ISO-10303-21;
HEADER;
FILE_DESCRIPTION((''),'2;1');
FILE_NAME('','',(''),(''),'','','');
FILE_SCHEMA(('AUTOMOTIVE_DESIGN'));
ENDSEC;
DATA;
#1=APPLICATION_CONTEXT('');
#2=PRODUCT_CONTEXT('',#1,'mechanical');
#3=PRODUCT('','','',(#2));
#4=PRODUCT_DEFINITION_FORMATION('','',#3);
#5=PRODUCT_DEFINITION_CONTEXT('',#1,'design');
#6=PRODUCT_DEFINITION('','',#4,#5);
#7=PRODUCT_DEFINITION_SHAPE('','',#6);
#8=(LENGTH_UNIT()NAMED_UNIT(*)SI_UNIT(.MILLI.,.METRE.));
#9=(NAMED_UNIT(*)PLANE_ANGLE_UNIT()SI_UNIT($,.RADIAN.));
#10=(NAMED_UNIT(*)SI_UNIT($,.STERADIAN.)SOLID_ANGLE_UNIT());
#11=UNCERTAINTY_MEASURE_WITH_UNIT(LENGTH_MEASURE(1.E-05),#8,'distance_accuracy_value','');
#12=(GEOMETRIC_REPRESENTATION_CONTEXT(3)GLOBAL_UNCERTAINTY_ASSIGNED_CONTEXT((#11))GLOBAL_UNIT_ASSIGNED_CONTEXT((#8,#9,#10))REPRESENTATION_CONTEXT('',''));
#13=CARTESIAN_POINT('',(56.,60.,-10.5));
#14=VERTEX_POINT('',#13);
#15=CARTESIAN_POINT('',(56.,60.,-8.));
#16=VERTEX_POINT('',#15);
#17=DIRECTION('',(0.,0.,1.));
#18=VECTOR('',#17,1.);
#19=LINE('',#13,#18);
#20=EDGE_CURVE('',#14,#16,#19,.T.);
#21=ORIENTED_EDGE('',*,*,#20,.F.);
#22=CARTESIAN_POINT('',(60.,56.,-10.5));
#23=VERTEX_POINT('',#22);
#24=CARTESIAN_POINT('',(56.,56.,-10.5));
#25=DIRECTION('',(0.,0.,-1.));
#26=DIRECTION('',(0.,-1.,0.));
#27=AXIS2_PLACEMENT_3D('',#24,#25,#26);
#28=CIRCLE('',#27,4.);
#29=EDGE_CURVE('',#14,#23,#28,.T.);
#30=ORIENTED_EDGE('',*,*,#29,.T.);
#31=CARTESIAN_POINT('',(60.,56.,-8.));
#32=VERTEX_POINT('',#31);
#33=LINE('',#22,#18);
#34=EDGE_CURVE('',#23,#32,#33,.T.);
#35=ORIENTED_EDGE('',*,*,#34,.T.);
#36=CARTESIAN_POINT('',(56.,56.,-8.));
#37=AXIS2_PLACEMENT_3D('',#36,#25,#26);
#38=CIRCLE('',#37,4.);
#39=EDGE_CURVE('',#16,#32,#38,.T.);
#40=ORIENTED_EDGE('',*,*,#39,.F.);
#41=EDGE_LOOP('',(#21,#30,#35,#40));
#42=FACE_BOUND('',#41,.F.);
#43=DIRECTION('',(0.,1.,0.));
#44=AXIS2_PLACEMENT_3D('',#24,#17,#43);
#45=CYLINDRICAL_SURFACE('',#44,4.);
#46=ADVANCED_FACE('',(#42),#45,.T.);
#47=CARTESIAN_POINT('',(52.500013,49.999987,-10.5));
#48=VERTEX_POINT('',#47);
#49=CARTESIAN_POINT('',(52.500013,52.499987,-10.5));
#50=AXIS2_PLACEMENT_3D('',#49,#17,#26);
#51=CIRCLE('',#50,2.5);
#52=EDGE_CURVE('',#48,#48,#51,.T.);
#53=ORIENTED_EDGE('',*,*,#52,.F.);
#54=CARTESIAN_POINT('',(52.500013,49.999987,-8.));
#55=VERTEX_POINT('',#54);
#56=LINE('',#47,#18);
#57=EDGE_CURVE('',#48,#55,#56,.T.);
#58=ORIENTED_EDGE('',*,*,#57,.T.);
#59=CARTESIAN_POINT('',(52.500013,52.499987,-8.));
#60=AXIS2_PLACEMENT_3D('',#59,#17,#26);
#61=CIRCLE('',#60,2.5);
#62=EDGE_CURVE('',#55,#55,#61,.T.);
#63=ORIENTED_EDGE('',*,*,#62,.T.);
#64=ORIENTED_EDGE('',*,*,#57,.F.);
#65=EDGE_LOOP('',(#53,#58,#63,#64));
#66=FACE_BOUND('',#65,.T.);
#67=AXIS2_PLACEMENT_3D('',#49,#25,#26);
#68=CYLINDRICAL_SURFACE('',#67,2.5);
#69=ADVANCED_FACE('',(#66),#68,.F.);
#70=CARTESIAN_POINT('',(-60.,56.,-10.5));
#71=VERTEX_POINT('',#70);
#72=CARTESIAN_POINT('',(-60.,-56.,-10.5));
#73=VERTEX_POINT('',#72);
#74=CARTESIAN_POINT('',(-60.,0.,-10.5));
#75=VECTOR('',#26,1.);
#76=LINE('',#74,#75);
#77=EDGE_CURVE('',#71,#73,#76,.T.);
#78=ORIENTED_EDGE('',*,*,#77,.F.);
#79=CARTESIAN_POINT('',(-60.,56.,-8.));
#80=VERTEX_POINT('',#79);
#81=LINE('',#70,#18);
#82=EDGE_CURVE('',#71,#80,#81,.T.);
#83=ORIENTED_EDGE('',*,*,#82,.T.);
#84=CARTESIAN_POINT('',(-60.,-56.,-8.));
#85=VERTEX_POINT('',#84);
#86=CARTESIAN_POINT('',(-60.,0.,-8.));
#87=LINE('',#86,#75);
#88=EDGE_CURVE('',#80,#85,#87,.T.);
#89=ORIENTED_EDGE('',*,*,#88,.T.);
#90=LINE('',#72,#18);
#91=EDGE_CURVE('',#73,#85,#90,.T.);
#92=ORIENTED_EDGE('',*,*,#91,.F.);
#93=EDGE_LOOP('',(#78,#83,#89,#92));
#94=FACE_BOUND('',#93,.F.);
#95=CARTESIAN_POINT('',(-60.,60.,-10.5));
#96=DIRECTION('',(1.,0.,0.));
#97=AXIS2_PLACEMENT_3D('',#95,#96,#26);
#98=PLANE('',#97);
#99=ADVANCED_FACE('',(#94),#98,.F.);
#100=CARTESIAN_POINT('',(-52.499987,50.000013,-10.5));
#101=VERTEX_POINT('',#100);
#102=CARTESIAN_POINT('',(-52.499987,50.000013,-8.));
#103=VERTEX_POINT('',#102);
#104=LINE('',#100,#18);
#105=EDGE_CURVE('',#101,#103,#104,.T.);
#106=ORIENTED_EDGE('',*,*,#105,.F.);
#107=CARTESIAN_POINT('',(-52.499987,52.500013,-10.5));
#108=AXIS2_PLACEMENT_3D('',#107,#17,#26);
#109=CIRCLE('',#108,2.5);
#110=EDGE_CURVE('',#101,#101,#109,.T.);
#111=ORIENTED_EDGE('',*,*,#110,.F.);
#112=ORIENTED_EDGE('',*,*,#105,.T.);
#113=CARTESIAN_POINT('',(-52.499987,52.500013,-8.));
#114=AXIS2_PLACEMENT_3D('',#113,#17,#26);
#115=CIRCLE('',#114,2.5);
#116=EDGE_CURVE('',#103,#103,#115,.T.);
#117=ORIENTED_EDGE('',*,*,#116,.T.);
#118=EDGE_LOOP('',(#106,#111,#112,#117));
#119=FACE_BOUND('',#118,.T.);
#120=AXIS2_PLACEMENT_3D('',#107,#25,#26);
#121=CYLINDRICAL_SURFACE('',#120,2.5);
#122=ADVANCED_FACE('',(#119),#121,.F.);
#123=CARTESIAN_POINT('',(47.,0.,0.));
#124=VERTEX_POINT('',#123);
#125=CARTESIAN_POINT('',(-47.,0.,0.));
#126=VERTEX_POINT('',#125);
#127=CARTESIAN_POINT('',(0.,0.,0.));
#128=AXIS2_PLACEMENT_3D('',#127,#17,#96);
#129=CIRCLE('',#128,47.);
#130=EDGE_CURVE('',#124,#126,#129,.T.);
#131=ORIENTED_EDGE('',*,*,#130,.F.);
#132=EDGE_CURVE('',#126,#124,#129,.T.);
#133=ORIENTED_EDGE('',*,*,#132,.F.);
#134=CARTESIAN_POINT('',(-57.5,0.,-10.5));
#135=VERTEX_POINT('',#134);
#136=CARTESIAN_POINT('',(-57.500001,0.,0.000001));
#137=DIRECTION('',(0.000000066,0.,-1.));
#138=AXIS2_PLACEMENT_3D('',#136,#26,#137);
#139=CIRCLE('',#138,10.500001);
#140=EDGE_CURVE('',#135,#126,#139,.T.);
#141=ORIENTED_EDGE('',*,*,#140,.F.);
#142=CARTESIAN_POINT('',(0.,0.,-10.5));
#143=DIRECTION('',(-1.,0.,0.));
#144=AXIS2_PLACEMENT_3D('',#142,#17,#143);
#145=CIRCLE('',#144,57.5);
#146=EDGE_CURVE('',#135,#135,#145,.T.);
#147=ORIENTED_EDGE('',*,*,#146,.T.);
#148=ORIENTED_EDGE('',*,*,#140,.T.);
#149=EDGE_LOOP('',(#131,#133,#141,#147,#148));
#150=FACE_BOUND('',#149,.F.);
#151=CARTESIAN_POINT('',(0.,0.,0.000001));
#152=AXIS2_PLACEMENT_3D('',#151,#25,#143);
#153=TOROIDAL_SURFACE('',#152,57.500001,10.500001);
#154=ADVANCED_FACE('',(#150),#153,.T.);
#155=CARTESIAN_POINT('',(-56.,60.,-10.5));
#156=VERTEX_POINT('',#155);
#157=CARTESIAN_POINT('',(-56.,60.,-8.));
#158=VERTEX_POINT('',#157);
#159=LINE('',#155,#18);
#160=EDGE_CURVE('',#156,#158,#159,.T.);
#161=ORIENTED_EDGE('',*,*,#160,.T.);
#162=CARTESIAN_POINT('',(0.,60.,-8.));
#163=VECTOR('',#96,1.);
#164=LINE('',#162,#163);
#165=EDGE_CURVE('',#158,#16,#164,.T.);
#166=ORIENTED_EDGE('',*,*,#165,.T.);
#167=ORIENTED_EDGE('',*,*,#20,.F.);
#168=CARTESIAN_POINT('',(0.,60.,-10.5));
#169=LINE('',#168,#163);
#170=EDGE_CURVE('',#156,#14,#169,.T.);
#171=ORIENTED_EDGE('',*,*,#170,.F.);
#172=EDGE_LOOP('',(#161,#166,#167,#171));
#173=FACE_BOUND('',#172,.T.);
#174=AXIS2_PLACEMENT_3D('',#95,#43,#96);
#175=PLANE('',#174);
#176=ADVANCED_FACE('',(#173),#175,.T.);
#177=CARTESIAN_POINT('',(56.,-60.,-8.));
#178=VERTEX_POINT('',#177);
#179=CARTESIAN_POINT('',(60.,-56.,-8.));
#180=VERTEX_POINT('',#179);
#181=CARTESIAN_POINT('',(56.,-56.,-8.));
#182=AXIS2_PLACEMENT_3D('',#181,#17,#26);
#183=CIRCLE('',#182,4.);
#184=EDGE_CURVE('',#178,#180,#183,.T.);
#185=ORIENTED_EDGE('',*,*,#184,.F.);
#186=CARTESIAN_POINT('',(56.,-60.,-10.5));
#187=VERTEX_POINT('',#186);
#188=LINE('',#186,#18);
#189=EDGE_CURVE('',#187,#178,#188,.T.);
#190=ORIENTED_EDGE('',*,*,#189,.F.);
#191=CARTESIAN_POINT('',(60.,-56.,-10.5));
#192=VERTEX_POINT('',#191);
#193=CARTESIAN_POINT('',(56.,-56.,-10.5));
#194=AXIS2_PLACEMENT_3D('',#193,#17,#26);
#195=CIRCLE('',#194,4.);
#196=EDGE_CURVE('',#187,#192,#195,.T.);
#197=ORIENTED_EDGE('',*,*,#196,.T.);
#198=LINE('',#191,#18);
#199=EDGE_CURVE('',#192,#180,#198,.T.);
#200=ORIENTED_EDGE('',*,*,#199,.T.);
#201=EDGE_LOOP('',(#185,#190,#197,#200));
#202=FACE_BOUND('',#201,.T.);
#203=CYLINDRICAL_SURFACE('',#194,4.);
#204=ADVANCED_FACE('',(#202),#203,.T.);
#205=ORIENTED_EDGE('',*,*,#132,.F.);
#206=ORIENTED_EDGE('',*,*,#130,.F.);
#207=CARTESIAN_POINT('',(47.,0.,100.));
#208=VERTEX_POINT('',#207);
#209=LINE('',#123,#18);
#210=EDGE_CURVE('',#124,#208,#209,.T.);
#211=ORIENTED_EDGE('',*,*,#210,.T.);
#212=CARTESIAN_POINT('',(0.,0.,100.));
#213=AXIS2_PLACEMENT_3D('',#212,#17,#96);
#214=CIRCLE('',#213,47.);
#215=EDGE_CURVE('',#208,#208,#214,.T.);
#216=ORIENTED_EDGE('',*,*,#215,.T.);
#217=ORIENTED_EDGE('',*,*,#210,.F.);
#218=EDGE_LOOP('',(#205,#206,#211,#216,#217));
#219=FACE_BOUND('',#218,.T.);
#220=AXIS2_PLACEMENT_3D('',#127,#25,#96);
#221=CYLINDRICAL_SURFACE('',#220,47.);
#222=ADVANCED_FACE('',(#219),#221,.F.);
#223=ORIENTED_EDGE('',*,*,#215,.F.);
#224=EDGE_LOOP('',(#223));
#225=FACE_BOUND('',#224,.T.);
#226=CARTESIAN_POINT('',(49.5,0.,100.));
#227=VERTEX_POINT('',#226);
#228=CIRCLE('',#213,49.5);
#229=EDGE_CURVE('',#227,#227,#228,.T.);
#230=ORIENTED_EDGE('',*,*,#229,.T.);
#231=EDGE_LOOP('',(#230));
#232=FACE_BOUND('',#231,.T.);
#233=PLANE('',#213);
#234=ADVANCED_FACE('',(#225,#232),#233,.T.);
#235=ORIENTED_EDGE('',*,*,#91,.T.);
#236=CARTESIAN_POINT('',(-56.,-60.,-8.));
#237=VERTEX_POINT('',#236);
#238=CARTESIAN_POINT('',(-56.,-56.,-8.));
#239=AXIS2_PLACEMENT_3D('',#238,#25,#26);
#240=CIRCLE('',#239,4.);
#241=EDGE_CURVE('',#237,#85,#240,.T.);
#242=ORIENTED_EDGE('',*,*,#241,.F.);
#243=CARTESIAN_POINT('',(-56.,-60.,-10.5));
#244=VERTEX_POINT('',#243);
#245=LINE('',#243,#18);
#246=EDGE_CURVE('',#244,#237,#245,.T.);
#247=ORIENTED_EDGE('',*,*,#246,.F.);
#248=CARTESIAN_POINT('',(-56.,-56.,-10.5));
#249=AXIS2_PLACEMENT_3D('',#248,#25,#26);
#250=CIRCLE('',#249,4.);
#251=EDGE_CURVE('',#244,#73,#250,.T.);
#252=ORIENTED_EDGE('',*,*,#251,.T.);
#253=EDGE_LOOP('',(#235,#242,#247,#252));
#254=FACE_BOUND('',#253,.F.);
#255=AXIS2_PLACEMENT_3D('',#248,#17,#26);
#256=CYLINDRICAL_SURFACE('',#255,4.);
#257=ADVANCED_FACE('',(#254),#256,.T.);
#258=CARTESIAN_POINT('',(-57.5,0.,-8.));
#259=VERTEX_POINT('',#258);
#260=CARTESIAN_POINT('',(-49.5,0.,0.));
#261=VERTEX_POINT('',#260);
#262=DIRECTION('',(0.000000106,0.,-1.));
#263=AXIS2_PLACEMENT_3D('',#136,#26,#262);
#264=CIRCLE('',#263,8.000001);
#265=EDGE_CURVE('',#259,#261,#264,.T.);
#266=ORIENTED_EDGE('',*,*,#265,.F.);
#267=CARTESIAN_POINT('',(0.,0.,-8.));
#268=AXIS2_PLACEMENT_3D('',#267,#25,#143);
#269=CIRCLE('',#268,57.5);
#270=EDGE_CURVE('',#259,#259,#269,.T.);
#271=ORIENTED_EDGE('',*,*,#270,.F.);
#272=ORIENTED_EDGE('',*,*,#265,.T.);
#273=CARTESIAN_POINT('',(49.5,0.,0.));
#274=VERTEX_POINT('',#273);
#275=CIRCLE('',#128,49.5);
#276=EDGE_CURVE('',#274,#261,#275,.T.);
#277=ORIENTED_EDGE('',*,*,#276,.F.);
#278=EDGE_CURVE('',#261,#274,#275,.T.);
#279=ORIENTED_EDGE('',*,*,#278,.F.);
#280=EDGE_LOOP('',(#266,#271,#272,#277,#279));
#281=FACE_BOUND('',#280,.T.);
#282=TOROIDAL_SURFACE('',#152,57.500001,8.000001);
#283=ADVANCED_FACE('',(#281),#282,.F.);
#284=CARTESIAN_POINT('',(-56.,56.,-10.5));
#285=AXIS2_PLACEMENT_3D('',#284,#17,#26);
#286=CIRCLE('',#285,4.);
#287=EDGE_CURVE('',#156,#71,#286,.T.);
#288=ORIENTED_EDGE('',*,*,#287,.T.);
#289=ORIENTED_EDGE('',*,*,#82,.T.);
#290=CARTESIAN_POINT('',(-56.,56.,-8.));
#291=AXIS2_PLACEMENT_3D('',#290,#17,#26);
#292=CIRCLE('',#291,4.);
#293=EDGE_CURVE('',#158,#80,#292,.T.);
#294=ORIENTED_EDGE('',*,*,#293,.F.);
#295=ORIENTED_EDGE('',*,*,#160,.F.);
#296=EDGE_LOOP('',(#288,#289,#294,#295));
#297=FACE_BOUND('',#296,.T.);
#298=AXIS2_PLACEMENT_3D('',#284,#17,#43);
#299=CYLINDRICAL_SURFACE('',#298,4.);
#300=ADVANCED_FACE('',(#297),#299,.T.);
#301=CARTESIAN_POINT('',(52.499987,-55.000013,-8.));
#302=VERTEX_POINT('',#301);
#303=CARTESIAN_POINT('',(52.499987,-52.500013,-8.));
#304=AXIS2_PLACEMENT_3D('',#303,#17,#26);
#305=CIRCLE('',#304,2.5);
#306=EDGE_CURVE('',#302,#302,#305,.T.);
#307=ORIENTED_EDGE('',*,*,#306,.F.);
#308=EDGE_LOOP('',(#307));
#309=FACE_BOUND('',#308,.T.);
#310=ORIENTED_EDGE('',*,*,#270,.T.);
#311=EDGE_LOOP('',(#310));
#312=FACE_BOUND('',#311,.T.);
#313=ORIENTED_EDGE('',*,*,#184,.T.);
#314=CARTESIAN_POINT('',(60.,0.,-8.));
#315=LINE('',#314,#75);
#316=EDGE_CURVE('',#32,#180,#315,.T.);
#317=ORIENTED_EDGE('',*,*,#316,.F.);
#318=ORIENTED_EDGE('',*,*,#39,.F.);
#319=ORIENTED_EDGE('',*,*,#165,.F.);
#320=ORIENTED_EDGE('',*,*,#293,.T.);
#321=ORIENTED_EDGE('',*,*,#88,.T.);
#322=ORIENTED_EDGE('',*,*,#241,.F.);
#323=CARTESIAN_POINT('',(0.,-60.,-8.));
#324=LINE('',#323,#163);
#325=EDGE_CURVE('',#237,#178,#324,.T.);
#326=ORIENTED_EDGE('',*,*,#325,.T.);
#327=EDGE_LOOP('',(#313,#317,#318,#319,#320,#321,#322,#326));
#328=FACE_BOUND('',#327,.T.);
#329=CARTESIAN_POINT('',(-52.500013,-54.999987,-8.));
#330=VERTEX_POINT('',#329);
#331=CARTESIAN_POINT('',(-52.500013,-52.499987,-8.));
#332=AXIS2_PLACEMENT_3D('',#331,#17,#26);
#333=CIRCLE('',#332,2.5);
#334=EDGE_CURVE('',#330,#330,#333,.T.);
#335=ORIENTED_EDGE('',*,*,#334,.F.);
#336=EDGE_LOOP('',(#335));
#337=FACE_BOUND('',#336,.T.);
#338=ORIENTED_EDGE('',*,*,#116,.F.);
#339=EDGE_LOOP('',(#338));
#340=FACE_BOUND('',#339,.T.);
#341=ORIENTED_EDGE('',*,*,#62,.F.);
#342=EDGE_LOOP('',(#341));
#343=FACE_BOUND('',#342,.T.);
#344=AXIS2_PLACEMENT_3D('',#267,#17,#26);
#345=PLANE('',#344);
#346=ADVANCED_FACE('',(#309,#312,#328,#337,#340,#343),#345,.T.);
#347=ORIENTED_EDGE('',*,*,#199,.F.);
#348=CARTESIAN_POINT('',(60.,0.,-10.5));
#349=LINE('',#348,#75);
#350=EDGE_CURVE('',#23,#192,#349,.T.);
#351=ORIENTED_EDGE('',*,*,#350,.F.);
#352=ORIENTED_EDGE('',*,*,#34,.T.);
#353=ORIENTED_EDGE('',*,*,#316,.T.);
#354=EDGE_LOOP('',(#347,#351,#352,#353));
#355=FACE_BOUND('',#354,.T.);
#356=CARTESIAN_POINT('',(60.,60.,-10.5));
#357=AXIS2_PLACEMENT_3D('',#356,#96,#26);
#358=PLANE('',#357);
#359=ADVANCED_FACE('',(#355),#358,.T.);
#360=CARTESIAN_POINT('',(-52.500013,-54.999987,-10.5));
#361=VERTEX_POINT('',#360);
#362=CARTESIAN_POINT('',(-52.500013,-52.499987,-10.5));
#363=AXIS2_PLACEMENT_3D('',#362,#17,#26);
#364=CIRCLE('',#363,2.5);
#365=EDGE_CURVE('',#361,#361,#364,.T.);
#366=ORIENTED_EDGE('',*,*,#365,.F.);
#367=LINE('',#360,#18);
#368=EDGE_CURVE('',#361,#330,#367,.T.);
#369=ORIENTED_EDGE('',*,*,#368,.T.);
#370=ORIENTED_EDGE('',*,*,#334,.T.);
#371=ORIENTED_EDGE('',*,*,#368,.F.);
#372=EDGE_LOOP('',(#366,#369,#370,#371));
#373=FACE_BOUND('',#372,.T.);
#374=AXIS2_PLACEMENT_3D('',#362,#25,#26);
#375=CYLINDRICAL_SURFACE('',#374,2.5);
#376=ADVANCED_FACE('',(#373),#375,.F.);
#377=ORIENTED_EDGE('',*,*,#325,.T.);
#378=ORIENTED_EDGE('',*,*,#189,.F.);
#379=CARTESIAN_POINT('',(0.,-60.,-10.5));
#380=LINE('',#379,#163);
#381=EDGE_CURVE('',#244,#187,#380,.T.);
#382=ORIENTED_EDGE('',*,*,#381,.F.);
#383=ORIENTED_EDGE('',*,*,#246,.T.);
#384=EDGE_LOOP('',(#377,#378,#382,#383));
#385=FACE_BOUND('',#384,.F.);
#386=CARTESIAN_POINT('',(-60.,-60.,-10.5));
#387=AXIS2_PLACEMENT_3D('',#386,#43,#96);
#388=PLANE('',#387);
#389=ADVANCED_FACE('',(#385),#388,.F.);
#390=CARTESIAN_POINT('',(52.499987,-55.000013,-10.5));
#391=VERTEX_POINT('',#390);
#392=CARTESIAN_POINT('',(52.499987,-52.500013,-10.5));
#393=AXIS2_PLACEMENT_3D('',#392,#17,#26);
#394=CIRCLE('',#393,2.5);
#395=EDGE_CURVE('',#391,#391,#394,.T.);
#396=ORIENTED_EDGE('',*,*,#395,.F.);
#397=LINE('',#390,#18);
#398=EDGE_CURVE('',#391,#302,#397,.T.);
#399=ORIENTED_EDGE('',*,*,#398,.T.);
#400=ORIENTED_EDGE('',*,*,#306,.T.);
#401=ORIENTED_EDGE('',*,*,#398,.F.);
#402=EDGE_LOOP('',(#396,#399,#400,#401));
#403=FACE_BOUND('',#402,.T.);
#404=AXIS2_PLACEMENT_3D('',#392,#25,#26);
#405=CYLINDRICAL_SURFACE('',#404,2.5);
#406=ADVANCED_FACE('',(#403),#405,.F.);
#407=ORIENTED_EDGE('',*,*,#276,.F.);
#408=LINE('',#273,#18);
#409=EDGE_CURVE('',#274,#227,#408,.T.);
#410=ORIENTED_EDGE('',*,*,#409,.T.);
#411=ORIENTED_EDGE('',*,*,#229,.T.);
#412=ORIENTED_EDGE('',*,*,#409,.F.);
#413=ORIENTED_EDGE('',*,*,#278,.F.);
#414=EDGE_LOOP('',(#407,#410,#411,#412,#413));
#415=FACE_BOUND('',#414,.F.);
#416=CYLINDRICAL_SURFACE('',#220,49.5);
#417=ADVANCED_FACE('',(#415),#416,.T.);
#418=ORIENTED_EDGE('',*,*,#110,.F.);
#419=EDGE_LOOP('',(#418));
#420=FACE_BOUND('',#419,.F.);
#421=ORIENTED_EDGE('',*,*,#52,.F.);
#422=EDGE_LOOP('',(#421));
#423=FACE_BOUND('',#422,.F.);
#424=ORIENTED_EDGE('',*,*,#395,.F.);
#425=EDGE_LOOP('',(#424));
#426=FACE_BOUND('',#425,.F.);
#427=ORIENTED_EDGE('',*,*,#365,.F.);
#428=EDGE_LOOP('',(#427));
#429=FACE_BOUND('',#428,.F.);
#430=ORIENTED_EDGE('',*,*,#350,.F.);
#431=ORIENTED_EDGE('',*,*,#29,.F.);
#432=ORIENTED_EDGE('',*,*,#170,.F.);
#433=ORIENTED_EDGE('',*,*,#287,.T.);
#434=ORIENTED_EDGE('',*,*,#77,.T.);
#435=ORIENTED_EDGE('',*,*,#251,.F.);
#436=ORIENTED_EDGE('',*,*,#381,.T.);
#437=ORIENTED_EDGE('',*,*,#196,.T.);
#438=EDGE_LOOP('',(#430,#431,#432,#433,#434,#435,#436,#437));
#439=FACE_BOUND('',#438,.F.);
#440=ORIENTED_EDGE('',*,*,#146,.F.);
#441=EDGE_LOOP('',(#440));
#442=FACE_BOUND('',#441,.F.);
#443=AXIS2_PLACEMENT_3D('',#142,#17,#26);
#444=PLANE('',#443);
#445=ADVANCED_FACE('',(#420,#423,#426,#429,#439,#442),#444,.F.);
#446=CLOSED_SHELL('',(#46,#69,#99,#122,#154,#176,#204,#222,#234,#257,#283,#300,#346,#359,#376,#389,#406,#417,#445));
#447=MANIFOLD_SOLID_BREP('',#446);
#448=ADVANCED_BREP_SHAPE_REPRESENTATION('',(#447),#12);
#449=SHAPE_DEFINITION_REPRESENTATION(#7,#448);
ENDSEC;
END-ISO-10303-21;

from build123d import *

# Parameters (mm, degrees)
SKETCH_R      = 49.5
SKETCH_R_2    = 47
PAD_DEPTH     = 100
SKETCH002_W   = 120
SKETCH002_H   = 120
SKETCH002_R   = 57.5
SKETCH002_R_2 = 2.5
PAD001_DEPTH  = 2.5
FILLET_R      = 4


with BuildPart() as part:
    # Sketch → Pad (new body)
    with BuildSketch(Plane.XY):
        Circle(SKETCH_R)
        Circle(SKETCH_R_2, mode=Mode.SUBTRACT)
    extrude(amount=PAD_DEPTH)

    # Sketch001 → Revolution (revolve)
    with BuildSketch(Plane.XZ):
        with BuildLine():
            ThreePointArc((-57.5, -10.5), (-50.075379, -7.424621), (-47, 0))
            Line((-49.5, 0), (-47, 0))
            ThreePointArc((-57.5, -8), (-51.843146, -5.656854), (-49.5, 0))
            Line((-57.5, -10.5), (-57.5, -8))
        make_face()
    revolve(axis=Axis((0, 0, 0), (0, 0, 1)))

    # Sketch002 (on DatumPlane) → Pad001 (join)
    with BuildSketch(Plane(origin=(0, 0, -10.5), x_dir=(0, -1, 0), z_dir=(0, 0, 1))):
        Rectangle(SKETCH002_W, SKETCH002_H)
        Circle(SKETCH002_R, mode=Mode.SUBTRACT)
        with Locations((-52.499987, 52.500013)):
            Circle(SKETCH002_R_2, mode=Mode.SUBTRACT)
        with Locations((-52.500013, -52.499987)):
            Circle(SKETCH002_R_2, mode=Mode.SUBTRACT)
        with Locations((52.499987, -52.500013)):
            Circle(SKETCH002_R_2, mode=Mode.SUBTRACT)
        with Locations((52.500013, 52.499987)):
            Circle(SKETCH002_R_2, mode=Mode.SUBTRACT)
    extrude(amount=PAD001_DEPTH)

    # Fillet
    fillet_edges = [part.edges().sort_by_distance(p)[0] for p in [
        (-60, -60, -9.25),
        (60, -60, -9.25),
        (-60, 60, -9.25),
        (60, 60, -9.25),
    ]]
    fillet(fillet_edges, radius=FILLET_R)


solid = part.part
